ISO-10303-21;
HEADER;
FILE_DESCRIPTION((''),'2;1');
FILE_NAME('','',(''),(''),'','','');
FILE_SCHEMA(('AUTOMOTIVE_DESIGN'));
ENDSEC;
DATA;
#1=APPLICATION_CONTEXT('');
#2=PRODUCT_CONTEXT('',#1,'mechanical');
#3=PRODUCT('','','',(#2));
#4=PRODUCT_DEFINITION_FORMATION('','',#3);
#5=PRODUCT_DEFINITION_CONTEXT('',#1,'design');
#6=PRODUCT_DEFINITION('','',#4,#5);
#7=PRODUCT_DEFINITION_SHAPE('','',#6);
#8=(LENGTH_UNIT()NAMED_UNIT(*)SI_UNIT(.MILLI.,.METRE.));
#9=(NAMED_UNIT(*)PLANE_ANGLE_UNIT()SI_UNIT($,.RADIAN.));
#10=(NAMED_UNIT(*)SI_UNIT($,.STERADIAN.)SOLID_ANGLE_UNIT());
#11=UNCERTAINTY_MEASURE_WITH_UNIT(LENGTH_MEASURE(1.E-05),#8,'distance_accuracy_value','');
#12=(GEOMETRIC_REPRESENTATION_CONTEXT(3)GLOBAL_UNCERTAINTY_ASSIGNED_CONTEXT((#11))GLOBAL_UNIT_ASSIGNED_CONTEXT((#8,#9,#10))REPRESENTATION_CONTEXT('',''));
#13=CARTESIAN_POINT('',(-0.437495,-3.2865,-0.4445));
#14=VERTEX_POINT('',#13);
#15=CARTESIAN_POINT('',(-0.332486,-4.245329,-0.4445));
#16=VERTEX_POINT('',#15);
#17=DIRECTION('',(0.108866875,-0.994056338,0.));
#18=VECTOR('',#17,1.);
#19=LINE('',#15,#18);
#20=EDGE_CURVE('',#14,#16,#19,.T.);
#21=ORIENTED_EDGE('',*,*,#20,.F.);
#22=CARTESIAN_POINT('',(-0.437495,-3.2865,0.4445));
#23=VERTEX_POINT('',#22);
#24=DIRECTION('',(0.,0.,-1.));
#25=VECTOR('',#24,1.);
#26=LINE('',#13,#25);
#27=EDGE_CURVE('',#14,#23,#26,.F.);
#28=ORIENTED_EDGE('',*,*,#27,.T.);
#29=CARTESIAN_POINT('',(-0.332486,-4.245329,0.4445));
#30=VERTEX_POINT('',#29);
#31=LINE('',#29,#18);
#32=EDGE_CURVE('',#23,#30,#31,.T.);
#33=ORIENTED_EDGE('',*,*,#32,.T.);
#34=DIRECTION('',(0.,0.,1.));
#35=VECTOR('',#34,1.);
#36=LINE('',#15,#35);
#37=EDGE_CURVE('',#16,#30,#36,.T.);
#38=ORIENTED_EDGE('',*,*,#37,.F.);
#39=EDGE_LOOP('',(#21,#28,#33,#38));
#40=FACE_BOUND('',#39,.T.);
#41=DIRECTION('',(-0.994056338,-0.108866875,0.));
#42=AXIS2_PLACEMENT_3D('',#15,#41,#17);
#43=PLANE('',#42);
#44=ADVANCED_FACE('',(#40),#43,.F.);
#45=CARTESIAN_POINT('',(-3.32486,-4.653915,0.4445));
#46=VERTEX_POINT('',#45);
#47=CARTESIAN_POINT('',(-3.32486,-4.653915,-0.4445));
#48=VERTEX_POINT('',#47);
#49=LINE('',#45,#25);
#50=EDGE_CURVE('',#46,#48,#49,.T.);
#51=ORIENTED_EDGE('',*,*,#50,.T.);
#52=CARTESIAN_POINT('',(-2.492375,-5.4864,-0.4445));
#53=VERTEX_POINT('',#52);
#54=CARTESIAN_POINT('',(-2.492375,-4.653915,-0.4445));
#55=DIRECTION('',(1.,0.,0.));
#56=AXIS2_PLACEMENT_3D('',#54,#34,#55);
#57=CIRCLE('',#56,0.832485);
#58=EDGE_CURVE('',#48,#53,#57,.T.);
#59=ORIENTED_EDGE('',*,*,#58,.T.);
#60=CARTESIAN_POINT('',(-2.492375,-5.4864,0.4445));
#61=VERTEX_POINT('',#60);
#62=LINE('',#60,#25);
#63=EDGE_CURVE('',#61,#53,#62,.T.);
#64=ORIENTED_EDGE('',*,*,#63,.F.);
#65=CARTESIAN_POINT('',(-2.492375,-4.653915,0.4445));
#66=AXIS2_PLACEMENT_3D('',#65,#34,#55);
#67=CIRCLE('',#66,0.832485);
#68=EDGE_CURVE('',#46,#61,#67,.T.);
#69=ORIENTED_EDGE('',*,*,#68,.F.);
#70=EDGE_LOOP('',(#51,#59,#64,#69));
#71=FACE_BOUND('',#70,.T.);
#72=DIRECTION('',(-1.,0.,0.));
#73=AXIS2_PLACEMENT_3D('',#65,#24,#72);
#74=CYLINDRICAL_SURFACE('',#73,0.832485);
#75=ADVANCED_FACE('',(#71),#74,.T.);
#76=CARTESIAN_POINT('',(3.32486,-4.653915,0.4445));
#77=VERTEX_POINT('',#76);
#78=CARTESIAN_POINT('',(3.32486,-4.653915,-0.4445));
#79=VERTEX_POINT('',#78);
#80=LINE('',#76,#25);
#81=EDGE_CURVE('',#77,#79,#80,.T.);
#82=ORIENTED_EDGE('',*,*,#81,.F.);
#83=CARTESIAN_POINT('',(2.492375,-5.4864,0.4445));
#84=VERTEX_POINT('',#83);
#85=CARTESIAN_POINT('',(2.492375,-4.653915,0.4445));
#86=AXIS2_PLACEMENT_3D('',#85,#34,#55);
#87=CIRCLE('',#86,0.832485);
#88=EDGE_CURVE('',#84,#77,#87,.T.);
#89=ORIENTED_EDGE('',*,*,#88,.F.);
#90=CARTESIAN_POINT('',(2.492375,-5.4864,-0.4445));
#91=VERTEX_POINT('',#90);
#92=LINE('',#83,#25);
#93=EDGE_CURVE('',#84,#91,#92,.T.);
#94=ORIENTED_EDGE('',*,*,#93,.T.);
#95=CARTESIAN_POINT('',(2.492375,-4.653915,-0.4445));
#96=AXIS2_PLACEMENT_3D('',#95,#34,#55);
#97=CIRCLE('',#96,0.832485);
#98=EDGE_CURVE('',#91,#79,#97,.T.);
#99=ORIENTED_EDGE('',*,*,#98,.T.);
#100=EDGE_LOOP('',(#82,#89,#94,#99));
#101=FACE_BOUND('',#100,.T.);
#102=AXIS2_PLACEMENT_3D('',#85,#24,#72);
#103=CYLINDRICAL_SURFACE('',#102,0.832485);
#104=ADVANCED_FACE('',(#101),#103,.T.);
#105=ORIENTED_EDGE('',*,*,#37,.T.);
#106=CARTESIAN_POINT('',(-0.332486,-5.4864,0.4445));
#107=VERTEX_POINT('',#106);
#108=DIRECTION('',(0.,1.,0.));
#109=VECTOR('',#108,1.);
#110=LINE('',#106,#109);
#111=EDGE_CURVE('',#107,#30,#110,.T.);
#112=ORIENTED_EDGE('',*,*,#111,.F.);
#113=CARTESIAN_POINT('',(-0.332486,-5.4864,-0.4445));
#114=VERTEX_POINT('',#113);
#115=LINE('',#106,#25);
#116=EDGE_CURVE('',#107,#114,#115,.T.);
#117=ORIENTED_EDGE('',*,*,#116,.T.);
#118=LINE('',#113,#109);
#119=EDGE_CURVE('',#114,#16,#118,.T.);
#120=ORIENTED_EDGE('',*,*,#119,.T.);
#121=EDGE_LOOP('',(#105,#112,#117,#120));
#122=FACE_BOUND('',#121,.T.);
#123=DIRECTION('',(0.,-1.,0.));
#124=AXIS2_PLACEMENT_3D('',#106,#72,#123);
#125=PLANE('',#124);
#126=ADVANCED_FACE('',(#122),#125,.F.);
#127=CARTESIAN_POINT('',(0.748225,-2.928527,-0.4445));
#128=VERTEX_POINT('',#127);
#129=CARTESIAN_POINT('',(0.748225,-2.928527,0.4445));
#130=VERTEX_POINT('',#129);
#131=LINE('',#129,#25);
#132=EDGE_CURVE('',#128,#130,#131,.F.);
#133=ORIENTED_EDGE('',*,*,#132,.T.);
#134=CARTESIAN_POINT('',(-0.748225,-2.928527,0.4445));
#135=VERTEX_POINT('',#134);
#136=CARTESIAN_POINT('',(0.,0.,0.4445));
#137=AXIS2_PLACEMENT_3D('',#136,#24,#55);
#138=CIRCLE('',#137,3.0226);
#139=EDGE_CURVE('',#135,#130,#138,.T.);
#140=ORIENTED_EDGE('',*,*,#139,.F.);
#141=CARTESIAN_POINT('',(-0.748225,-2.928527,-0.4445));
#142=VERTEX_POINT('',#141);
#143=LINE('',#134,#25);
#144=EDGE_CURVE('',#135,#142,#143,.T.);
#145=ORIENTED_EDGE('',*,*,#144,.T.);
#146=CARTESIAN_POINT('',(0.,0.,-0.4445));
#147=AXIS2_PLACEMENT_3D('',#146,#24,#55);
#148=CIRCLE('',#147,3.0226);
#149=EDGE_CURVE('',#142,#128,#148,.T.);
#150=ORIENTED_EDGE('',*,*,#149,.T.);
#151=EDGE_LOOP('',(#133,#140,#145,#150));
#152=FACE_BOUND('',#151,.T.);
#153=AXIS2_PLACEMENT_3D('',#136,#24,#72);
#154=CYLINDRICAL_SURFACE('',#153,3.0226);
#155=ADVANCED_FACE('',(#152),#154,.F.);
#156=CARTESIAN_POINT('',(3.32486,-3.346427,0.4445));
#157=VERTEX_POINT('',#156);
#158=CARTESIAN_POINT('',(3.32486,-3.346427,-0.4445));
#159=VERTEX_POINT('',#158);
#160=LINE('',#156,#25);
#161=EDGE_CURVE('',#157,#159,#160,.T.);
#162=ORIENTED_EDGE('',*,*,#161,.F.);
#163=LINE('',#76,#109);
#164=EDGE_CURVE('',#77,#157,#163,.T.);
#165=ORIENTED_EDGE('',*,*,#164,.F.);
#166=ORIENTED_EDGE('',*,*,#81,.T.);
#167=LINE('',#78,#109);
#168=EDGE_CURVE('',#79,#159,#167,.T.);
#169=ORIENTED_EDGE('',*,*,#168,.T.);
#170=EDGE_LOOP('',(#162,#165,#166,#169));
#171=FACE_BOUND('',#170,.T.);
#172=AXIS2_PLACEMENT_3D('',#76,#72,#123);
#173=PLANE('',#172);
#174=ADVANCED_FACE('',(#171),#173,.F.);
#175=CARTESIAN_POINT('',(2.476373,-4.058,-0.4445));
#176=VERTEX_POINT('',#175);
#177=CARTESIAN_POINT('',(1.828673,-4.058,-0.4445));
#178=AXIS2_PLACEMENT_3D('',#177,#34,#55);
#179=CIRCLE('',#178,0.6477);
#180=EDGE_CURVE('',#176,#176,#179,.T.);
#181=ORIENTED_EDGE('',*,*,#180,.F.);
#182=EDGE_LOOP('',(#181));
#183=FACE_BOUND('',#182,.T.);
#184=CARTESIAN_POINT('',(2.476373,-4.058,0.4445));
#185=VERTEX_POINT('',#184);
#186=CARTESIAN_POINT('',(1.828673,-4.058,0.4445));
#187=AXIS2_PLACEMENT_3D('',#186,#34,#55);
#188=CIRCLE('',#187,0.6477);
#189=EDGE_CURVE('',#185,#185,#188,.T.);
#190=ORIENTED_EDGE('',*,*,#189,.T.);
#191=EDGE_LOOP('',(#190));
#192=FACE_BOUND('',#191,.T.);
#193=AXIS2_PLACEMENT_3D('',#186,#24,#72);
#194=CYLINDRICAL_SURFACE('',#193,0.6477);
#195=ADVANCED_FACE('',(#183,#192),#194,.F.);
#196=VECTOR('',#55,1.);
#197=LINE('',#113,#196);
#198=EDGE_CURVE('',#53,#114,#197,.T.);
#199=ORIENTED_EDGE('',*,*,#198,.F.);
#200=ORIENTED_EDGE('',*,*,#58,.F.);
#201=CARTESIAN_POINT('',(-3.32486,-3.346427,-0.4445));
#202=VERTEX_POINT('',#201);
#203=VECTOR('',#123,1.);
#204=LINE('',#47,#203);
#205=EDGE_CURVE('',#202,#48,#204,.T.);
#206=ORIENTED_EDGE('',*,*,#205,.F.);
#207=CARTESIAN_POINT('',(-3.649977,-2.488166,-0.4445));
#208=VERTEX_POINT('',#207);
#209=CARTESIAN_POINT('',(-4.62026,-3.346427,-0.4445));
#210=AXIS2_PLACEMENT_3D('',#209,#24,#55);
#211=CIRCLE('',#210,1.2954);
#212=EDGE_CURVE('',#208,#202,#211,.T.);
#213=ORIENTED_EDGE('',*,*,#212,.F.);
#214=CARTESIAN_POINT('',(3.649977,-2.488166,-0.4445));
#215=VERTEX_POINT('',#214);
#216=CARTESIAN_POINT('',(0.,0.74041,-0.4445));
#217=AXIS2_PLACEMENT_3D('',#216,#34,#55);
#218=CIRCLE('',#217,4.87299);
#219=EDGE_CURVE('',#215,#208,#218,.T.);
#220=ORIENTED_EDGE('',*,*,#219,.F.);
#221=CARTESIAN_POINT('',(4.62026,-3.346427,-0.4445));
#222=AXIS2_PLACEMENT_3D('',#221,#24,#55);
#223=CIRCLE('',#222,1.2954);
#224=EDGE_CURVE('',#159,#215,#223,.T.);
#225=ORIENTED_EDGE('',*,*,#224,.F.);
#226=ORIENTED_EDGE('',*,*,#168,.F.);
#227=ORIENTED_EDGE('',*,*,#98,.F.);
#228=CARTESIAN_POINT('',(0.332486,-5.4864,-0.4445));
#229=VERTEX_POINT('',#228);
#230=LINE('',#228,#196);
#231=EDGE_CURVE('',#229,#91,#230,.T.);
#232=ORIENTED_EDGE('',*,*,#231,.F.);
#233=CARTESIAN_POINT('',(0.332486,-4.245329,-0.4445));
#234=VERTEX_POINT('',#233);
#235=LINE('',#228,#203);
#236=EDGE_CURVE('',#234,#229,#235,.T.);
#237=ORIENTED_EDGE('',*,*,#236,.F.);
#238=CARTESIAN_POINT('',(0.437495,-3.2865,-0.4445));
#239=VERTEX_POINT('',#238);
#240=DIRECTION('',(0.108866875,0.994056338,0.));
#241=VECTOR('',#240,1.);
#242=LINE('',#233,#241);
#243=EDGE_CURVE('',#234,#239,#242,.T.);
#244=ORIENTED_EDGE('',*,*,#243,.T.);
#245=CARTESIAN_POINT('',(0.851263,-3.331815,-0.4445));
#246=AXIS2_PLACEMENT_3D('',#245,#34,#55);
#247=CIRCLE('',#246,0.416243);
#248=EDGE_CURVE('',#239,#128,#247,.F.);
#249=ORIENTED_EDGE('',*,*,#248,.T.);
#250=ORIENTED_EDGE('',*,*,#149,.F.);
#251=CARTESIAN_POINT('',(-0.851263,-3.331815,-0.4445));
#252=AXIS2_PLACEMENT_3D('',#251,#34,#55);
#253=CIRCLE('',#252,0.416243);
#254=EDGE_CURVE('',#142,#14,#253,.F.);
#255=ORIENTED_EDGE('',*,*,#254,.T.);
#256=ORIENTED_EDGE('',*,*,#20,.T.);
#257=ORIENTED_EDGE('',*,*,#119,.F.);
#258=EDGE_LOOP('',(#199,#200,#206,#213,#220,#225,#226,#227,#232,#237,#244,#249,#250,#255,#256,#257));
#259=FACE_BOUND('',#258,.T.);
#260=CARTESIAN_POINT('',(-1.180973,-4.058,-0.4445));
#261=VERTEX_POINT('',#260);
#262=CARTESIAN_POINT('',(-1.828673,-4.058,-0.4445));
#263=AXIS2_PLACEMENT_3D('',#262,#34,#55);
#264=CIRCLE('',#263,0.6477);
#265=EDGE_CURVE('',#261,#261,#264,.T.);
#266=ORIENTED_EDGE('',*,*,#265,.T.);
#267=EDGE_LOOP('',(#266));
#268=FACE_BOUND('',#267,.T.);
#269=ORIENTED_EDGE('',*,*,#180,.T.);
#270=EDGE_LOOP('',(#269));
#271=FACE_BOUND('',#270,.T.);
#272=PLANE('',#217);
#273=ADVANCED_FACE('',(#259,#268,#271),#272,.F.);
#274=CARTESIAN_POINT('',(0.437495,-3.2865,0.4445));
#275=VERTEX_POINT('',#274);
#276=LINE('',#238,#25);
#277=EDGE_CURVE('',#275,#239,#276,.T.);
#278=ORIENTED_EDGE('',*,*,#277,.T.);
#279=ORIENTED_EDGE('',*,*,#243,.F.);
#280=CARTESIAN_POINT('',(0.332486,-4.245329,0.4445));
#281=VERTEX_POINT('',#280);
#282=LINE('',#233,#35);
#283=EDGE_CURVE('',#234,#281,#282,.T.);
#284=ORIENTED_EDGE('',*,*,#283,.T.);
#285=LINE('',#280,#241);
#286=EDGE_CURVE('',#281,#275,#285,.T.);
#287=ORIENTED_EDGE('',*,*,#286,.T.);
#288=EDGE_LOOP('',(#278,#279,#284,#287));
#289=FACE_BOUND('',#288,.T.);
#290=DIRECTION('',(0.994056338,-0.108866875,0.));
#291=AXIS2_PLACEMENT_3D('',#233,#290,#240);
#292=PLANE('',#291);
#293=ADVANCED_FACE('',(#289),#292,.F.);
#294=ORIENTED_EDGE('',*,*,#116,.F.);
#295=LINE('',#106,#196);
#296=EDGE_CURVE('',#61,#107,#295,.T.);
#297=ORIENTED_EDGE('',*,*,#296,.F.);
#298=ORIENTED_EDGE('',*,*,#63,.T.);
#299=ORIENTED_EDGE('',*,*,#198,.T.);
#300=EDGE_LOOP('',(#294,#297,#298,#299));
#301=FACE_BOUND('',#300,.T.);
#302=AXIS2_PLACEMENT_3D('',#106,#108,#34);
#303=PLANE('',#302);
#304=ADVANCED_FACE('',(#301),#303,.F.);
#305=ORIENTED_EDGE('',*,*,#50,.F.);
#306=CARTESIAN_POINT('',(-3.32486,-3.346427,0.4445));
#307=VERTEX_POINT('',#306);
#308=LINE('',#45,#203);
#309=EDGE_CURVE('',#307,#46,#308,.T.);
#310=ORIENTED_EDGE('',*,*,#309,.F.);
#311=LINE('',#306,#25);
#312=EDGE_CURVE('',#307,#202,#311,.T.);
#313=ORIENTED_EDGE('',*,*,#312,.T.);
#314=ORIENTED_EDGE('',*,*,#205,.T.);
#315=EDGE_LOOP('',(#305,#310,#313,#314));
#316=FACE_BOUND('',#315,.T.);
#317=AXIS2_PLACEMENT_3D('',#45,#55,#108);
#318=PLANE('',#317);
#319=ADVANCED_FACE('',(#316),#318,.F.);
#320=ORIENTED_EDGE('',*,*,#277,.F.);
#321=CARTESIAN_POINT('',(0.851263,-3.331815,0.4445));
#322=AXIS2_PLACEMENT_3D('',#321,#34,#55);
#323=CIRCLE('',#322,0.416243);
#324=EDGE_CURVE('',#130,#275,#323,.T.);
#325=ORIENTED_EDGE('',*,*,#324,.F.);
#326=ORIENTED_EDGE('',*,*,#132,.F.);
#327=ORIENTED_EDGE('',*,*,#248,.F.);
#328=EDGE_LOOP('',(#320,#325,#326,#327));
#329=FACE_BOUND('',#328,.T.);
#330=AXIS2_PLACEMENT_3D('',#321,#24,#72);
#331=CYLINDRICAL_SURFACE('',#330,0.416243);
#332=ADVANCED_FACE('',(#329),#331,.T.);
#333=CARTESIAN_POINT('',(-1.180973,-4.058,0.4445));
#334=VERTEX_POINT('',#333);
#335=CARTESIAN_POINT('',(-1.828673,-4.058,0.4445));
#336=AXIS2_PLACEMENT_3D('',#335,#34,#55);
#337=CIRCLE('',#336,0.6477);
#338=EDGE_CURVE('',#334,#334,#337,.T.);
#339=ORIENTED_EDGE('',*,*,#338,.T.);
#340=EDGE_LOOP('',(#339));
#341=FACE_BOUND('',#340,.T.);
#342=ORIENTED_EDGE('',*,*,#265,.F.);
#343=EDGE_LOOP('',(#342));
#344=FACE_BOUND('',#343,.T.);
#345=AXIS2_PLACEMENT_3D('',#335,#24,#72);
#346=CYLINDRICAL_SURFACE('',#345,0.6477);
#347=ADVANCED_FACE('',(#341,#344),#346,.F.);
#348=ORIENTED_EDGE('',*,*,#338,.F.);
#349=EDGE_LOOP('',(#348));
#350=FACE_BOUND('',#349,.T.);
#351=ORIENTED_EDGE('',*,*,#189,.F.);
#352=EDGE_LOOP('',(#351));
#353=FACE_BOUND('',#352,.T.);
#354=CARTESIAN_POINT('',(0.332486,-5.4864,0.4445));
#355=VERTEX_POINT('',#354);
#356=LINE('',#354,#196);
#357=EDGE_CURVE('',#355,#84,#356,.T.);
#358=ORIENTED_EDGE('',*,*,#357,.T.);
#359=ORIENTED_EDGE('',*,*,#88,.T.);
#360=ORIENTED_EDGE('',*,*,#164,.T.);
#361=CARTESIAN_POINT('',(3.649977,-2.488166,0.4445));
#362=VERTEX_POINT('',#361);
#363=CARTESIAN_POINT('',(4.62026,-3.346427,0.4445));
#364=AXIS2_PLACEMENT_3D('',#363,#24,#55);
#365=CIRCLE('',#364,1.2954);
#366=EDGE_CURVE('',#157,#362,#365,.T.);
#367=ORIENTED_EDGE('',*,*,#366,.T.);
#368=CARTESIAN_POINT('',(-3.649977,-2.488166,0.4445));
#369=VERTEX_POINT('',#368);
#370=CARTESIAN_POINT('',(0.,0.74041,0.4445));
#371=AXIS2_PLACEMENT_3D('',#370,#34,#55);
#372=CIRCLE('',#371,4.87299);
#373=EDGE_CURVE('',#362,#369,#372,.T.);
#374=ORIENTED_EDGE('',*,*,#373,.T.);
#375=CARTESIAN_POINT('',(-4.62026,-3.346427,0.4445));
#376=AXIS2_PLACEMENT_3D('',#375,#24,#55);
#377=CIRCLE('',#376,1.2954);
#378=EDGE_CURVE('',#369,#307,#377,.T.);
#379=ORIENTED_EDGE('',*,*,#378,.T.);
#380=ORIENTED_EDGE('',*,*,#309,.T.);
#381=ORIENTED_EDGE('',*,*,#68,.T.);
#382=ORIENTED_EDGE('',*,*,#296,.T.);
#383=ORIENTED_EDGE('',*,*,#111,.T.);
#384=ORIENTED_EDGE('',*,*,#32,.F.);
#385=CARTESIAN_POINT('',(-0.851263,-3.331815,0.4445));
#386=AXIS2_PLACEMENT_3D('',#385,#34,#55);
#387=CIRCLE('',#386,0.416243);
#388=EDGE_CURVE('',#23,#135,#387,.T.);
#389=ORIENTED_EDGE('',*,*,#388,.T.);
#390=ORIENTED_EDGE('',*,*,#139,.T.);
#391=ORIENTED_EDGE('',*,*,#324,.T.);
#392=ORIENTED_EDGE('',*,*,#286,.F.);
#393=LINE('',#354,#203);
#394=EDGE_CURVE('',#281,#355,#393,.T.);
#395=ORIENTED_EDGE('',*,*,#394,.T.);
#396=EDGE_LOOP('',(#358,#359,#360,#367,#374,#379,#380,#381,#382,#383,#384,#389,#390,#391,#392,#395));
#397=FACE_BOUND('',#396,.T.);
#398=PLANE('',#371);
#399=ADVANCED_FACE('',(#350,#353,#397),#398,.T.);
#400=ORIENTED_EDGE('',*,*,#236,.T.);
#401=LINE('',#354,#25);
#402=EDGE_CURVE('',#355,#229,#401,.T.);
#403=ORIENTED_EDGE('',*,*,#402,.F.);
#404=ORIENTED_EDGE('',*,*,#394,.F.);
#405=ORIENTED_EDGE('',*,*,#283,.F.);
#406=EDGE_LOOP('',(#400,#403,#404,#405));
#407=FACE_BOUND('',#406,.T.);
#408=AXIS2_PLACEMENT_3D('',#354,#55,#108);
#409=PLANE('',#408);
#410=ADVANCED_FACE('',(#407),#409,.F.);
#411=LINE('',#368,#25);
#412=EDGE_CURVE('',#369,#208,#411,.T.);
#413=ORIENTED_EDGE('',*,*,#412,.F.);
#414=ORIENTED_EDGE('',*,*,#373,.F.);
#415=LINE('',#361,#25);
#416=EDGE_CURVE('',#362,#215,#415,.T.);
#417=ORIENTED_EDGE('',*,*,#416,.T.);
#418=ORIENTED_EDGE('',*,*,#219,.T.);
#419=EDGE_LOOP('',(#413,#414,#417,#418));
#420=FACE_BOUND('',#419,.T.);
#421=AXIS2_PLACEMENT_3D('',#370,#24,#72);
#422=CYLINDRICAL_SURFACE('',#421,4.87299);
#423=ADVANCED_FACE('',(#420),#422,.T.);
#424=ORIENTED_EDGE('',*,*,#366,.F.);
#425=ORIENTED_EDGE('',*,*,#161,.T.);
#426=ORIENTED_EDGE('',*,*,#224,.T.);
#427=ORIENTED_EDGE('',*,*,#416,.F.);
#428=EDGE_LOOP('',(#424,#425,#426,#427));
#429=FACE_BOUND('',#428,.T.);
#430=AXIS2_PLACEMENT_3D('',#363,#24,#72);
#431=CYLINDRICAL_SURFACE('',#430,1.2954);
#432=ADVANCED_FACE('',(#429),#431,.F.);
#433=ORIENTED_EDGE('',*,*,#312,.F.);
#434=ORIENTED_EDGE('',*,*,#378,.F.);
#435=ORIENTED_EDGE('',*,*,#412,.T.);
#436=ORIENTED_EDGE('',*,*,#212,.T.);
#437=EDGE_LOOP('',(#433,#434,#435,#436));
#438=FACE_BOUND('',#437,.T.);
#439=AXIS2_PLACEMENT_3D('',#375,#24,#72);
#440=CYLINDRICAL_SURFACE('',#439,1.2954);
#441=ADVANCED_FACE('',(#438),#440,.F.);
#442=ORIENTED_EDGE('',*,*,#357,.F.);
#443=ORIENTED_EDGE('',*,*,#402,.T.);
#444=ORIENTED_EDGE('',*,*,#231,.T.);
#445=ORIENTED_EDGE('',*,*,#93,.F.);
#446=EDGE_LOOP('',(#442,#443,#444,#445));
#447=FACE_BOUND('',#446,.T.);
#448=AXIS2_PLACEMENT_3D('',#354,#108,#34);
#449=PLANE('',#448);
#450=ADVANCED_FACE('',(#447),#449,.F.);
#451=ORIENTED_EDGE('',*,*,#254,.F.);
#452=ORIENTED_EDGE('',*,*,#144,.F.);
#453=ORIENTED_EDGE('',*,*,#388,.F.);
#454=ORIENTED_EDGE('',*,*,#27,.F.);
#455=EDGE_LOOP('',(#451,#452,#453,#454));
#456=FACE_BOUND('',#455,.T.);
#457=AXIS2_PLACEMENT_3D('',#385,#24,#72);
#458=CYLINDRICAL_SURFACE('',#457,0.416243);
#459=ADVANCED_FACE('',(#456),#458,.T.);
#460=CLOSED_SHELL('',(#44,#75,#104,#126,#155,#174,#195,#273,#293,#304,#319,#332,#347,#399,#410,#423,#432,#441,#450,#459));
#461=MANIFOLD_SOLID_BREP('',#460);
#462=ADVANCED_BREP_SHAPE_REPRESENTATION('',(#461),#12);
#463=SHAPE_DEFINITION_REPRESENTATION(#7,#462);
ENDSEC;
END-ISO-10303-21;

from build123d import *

# Parameters (mm, degrees)
SKETCH3_R               = 0.6477
BOSS_EXTRUDE1_DEPTH     = 0.4445
CUT_EXTRUDE1_DEPTH      = 1.4445
CUT_EXTRUDE1_DEPTH_BACK = 1.4445
FILLET1_R               = 0.4162425


with BuildPart() as part:
    # Sketch3 → Boss-Extrude1 (new body, symmetric)
    with BuildSketch(Plane.XY):
        with BuildLine():
            Line((3.32486, -4.653915), (3.32486, -3.346426518))
            ThreePointArc((3.32486, -3.346426518), (3.408862886, -2.887538523), (3.649976862, -2.488165606))
            ThreePointArc((3.649976862, -2.488165606), (0, 5.6134), (-3.649976862, -2.488165606))
            ThreePointArc((-3.649976862, -2.488165606), (-3.408862886, -2.887538523), (-3.32486, -3.346426518))
            Line((-3.32486, -3.346426518), (-3.32486, -4.653915))
            ThreePointArc((-3.32486, -4.653915), (-3.081030789, -5.242570789), (-2.492375, -5.4864))
            Line((-2.492375, -5.4864), (-0.332486, -5.4864))
            Line((-0.332486, -5.4864), (-0.332486, -3.004257615))
            ThreePointArc((-0.332486, -3.004257615), (0, 3.0226), (0.332486, -3.004257615))
            Line((0.332486, -3.004257615), (0.332486, -5.4864))
            Line((0.332486, -5.4864), (2.492375, -5.4864))
            ThreePointArc((2.492375, -5.4864), (3.081030789, -5.242570789), (3.32486, -4.653915))
        make_face()
        with Locations((-1.828673, -4.057999533)):
            Circle(SKETCH3_R, mode=Mode.SUBTRACT)
        with Locations((1.828673, -4.057999533)):
            Circle(SKETCH3_R, mode=Mode.SUBTRACT)
    extrude(amount=BOSS_EXTRUDE1_DEPTH, both=True)

    # Sketch4 → Cut-Extrude1 (cut, two sides)
    with BuildSketch(Plane.XY) as cut_extrude1_sk:
        Polygon((-0.332486, -4.245328808), (-0.797425121, 0), (0.797425121, 0), (0.332486, -4.245328808), align=None)
    extrude(amount=CUT_EXTRUDE1_DEPTH, mode=Mode.SUBTRACT)
    extrude(cut_extrude1_sk.sketch, amount=-CUT_EXTRUDE1_DEPTH_BACK, mode=Mode.SUBTRACT)

    # Fillet1
    fillet1_edges = [part.edges().sort_by_distance(p)[0] for p in [
        (-0.470430427, -2.985767234, 0),
        (0.470430427, -2.985767234, 0),
    ]]
    fillet(fillet1_edges, radius=FILLET1_R)


solid = part.part
